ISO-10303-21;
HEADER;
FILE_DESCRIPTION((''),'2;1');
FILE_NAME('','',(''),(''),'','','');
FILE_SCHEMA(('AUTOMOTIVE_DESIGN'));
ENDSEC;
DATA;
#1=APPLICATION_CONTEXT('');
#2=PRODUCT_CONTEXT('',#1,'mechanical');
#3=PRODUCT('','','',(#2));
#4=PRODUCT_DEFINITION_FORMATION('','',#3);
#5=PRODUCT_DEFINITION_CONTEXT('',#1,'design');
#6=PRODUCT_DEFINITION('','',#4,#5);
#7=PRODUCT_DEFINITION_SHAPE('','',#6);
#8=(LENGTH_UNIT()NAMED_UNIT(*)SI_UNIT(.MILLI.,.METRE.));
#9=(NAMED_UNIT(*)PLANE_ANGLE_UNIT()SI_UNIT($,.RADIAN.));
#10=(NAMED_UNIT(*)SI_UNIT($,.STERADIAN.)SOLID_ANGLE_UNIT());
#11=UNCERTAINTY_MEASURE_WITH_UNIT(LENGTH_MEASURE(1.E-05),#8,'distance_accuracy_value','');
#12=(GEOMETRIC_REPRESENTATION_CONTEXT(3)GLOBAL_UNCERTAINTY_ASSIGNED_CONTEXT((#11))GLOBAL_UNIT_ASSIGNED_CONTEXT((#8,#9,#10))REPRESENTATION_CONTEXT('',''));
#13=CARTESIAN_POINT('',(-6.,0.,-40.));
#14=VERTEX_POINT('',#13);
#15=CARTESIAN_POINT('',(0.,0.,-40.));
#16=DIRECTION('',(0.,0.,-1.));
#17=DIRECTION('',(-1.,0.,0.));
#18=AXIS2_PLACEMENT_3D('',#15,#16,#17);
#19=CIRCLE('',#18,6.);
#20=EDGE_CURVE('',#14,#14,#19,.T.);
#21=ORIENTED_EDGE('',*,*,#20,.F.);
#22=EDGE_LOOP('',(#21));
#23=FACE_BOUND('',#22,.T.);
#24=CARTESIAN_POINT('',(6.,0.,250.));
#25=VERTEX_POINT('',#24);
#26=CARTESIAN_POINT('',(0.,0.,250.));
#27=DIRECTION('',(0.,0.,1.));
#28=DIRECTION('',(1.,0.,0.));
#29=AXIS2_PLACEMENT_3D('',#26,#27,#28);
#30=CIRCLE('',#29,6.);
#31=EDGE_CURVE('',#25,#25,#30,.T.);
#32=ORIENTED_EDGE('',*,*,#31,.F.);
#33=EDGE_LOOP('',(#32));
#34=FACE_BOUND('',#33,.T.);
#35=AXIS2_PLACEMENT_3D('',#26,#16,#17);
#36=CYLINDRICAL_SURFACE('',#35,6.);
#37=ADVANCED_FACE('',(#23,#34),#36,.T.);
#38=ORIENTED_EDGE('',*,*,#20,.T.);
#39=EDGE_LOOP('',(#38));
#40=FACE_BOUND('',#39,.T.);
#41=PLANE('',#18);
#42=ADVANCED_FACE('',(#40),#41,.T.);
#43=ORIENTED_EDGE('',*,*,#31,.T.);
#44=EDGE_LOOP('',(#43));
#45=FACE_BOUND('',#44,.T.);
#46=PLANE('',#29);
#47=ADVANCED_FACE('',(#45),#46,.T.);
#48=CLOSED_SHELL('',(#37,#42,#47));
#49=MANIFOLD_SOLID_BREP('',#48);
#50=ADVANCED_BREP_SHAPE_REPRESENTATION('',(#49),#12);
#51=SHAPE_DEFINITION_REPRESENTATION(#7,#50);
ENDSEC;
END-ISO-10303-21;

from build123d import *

# Parameters (mm, degrees)
SKETCH1_R           = 6
BOSS_EXTRUDE1_DEPTH = 250
SKETCH2_R           = 6
BOSS_EXTRUDE2_DEPTH = 40


with BuildPart() as part:
    # Sketch1 → Boss-Extrude1 (new body)
    with BuildSketch(Plane.XY):
        Circle(SKETCH1_R)
    extrude(amount=BOSS_EXTRUDE1_DEPTH)

    # Sketch2 → Boss-Extrude2 (add)
    with BuildSketch(Plane(origin=(0, 0, 0), x_dir=(-1, 0, 0), z_dir=(0, 0, -1))):
        Circle(SKETCH2_R)
    extrude(amount=BOSS_EXTRUDE2_DEPTH)


solid = part.part
